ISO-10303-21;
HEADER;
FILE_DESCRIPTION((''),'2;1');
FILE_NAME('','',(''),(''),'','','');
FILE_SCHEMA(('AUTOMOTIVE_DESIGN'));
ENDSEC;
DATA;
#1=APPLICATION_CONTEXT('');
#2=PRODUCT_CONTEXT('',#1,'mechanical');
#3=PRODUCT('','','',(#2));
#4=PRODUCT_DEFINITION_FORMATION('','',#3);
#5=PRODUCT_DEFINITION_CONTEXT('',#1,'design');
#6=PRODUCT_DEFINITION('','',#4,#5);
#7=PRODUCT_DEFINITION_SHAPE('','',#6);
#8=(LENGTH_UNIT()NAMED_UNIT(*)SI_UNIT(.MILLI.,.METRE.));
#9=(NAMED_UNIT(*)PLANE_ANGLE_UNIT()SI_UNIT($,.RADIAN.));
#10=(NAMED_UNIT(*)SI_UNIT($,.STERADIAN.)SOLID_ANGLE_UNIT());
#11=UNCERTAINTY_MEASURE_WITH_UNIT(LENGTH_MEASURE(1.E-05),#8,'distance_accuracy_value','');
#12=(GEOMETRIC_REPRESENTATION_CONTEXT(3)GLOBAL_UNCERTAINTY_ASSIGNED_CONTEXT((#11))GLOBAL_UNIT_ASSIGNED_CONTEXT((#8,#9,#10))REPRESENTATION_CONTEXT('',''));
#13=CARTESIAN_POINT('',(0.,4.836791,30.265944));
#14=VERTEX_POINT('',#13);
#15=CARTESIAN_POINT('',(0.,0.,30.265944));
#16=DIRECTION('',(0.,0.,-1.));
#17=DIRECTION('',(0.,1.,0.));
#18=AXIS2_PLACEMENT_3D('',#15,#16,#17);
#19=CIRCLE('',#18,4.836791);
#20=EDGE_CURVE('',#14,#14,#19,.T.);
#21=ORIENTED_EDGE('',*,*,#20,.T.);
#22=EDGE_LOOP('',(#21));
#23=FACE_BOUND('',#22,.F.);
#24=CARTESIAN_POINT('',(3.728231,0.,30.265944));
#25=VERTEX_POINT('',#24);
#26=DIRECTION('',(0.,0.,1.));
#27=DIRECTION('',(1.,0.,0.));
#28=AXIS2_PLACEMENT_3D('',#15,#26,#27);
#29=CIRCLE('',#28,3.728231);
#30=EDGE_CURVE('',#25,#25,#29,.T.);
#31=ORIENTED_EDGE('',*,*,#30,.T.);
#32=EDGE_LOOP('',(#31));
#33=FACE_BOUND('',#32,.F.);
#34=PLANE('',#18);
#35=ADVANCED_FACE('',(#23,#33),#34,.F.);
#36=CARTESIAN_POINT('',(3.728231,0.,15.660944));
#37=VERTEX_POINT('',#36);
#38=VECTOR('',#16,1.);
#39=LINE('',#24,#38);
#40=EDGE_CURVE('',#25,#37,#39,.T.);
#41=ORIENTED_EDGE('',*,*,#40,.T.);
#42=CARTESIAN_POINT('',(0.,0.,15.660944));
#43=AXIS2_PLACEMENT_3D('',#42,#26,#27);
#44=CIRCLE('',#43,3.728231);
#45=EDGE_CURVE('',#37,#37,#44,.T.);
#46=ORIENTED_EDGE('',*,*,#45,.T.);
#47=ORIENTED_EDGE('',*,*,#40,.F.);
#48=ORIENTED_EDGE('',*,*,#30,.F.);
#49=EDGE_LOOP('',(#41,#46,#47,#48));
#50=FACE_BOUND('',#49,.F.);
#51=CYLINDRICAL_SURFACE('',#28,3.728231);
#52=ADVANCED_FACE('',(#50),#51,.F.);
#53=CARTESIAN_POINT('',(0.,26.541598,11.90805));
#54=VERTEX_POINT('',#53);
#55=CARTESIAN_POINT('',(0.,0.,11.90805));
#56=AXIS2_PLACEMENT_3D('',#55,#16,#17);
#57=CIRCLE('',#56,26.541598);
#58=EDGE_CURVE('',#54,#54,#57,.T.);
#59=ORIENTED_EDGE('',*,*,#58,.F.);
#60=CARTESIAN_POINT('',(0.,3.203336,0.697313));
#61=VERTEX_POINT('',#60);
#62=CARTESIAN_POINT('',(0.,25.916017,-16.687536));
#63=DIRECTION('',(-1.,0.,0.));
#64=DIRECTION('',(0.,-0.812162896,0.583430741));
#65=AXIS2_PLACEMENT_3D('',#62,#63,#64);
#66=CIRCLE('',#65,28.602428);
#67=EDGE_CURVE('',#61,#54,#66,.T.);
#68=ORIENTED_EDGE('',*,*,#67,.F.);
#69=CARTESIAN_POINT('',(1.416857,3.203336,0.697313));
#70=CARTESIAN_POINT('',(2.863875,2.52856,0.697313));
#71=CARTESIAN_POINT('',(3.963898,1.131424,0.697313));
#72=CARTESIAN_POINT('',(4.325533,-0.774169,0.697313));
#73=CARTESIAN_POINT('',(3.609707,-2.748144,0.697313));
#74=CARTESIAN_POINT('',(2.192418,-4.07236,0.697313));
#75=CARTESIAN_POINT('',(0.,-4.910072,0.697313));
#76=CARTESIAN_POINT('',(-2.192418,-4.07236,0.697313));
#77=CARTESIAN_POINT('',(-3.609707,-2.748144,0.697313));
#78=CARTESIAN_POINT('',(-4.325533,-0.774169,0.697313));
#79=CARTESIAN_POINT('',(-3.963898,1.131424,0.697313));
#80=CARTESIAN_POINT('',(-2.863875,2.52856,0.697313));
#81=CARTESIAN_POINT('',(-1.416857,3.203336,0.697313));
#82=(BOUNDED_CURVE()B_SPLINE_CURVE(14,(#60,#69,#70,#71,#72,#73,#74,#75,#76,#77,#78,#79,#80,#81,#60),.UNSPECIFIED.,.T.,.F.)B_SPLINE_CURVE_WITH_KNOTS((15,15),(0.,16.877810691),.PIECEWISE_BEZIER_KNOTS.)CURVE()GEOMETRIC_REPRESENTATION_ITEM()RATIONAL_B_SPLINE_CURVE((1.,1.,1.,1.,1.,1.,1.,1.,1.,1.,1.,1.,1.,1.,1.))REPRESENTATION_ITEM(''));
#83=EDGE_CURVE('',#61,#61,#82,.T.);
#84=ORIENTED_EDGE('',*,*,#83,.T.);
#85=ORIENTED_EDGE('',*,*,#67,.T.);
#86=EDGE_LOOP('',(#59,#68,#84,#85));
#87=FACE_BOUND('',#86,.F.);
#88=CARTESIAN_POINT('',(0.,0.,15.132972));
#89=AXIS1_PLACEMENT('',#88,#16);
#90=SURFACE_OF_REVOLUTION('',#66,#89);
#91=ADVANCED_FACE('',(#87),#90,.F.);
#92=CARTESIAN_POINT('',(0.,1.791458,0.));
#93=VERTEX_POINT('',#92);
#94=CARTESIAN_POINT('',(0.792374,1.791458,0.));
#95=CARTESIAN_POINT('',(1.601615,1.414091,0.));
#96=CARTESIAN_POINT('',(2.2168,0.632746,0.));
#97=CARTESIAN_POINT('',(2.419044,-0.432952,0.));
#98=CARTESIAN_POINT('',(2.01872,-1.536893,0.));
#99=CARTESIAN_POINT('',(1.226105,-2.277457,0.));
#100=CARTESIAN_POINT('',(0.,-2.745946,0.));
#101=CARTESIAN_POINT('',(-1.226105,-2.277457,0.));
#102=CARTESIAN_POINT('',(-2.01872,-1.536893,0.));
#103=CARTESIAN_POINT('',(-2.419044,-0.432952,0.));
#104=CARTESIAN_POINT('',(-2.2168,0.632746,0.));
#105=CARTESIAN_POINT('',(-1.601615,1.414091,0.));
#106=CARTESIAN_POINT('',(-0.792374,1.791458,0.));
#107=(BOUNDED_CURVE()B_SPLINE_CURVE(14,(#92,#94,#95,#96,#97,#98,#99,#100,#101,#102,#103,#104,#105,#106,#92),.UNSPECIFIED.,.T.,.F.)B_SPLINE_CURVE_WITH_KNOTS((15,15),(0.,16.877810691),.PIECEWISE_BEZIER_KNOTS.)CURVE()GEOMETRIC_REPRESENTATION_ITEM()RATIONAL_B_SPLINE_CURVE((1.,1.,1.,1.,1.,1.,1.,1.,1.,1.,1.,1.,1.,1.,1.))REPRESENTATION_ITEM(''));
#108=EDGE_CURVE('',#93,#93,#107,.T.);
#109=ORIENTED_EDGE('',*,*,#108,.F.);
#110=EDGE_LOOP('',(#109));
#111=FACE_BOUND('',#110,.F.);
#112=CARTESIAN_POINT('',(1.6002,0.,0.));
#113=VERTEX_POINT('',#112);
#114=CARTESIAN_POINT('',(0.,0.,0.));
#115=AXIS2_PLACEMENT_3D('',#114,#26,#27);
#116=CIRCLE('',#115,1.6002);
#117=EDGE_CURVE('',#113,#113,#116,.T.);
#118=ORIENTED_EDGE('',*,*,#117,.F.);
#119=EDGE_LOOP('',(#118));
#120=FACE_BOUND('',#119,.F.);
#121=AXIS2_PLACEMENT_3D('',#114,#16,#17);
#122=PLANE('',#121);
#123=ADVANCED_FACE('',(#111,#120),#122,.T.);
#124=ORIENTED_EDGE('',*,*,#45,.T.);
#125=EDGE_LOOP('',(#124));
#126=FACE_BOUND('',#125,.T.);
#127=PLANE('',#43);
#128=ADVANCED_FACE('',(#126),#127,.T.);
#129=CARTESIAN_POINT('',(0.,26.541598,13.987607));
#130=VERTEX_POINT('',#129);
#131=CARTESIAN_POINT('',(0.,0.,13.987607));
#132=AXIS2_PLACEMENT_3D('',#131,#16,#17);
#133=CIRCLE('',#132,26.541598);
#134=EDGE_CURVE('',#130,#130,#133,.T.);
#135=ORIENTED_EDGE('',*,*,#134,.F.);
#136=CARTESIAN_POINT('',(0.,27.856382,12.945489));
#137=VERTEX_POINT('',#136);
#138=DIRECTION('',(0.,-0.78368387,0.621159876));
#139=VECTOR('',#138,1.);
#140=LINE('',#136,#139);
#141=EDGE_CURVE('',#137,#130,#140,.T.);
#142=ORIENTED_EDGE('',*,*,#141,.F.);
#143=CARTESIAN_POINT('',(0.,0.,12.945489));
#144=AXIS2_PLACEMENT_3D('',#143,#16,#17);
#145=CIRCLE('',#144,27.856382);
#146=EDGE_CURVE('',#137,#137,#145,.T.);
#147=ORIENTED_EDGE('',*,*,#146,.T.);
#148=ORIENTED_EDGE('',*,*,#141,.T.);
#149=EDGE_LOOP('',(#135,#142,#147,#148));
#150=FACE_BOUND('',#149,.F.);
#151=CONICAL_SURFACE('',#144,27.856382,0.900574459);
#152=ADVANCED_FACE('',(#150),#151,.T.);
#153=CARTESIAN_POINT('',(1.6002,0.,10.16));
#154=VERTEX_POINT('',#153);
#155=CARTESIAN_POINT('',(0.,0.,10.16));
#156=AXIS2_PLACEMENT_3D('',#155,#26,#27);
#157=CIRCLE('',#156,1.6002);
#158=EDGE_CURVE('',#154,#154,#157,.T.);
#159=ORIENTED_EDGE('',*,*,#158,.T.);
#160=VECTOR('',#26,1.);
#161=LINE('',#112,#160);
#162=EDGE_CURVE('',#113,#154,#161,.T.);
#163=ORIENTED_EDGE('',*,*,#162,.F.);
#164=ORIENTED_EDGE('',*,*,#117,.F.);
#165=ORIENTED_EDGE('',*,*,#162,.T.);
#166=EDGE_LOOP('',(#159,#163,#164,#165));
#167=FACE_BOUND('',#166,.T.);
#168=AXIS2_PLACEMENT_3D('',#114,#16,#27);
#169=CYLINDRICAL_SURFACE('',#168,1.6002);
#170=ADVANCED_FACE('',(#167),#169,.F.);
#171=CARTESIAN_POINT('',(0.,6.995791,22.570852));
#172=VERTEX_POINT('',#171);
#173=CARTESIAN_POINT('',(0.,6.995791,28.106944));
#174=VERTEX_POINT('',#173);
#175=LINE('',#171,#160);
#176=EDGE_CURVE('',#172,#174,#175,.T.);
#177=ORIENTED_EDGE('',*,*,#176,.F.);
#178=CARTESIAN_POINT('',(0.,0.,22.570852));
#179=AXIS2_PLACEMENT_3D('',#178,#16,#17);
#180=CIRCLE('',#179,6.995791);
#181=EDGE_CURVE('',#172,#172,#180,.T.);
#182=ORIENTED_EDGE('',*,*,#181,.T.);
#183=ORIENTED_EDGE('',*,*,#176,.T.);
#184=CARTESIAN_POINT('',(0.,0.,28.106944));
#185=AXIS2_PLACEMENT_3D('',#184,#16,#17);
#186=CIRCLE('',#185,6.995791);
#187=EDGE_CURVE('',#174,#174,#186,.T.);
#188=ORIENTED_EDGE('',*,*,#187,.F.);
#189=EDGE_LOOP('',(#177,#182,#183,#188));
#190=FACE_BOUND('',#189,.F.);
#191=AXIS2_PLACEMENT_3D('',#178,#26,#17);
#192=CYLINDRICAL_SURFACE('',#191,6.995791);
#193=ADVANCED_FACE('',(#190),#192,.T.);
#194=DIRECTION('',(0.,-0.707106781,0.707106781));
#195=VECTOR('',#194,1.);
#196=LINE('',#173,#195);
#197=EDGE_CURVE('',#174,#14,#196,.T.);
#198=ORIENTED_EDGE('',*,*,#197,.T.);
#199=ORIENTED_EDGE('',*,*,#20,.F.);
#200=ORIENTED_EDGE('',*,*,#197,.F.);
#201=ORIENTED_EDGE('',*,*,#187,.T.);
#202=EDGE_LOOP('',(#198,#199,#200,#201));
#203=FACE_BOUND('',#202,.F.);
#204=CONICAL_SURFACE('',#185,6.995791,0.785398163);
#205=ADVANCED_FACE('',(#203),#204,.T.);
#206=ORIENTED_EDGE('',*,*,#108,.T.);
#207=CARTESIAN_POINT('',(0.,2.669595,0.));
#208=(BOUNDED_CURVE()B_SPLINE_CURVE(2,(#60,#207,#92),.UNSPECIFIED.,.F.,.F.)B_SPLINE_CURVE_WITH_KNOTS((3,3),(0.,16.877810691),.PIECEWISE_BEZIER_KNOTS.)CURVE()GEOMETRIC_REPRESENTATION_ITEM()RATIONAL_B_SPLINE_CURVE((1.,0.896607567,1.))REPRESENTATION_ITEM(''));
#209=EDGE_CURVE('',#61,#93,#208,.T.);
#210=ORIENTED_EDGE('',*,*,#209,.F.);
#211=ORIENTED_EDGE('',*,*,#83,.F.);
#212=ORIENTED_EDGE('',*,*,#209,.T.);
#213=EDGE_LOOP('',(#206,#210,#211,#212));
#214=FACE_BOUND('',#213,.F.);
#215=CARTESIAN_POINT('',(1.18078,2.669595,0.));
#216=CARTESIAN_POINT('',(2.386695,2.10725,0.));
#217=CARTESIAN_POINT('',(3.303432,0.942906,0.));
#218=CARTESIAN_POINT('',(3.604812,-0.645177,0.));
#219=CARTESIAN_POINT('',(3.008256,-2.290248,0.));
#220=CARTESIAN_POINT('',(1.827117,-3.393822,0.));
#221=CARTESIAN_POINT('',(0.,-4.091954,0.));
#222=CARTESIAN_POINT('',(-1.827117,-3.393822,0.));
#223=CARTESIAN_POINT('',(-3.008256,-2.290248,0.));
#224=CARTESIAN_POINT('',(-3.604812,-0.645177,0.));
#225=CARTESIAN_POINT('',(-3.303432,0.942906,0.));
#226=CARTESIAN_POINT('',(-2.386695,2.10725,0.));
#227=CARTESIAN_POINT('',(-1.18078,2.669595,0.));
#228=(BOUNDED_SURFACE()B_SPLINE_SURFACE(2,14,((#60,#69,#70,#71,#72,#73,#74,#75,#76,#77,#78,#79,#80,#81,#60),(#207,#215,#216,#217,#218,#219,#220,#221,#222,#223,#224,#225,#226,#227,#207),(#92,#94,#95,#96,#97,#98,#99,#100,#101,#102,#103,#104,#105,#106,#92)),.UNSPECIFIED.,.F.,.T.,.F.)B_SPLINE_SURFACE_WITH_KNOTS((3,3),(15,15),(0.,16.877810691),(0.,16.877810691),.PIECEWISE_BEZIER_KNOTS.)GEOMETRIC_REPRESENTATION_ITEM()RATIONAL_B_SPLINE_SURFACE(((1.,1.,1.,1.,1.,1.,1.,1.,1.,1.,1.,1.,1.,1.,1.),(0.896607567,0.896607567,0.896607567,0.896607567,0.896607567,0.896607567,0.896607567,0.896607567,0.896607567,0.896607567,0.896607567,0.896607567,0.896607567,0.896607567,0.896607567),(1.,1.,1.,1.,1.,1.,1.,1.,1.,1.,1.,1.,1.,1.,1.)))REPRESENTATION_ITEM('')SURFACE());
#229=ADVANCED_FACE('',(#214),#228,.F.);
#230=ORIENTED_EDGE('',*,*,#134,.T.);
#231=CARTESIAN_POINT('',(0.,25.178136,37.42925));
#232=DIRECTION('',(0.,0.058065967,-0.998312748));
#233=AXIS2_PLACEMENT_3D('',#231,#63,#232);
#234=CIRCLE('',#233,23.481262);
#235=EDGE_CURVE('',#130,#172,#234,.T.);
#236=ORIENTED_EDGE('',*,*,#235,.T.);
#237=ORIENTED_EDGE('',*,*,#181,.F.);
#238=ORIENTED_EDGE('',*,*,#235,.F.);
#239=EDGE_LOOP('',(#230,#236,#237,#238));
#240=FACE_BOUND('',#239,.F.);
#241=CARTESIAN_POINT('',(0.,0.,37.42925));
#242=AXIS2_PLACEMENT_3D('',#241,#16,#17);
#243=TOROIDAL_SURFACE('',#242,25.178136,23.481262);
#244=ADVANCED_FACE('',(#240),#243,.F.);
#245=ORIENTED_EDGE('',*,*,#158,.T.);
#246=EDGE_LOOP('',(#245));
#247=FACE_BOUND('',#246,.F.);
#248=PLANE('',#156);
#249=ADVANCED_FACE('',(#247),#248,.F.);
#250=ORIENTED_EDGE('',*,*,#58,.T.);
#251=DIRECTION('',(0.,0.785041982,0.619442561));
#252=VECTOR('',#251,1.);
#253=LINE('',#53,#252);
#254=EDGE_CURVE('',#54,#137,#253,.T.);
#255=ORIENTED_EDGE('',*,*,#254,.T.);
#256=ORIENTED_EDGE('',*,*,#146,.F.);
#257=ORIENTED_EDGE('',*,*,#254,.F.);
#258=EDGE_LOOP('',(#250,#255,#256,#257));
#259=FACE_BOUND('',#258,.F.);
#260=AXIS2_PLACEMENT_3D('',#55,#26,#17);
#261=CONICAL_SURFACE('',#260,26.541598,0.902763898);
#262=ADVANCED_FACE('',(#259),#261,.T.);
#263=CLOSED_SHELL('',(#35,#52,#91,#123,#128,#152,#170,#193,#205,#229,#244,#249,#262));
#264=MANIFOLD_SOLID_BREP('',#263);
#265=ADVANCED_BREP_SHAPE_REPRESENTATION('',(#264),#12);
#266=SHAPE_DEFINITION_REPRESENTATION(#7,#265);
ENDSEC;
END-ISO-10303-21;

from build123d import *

# Parameters (mm, degrees)
F2_R      = 4.7625
F3_DEPTH  = 14.605
F4_R      = 1.6002
F5_DEPTH  = 10.16
F6_R      = 4.7752
F7_DEPTH  = 14.605
F8_R      = 3.728231
F9_DEPTH  = 14.605
F10_R     = 1.6002
F11_DEPTH = 10.16
F12_SIZE  = 2.159
F13_R     = 1.778


with BuildPart() as f1:
    # F0 (on Right) → F1 (revolve)
    with BuildSketch(Plane.YZ):
        with BuildLine():
            Line((0, 30.265944), (0, 0))
            Line((0, 0), (2.686187, 0))
            ThreePointArc((2.686187, 0), (13.141494, 8.903682), (26.541598, 11.90805))
            Line((26.541598, 11.90805), (27.856382, 12.945489))
            Line((27.856382, 12.945489), (26.541598, 13.987607))
            ThreePointArc((26.541598, 13.987607), (15.736911, 15.929647), (6.995791, 22.570852))
            Line((6.995791, 22.570852), (6.995791, 30.265944))
            Line((6.995791, 30.265944), (0, 30.265944))
        make_face()
    revolve(axis=Axis((0, 0, 15.132972), (0, 0, -1)))

    # F2 (on face) → F3 (join)
    with BuildSketch(Plane.XY.offset(30.265944)):
        Circle(F2_R)
    extrude(amount=-F3_DEPTH)

    # F4 (on Top) → F5 (join)
    with BuildSketch(Plane.XY):
        Circle(F4_R)
    extrude(amount=F5_DEPTH)

    # F6 (on face) → F7 (join)
    with BuildSketch(Plane.XY.offset(30.265944)):
        Circle(F6_R)
    extrude(amount=-F7_DEPTH)

    # F8 (on face) → F9 (cut)
    with BuildSketch(Plane.XY.offset(30.265944)):
        Circle(F8_R)
    extrude(amount=-F9_DEPTH, mode=Mode.SUBTRACT)

    # F10 (on Top) → F11 (cut)
    with BuildSketch(Plane.XY):
        Circle(F10_R)
    extrude(amount=F11_DEPTH, mode=Mode.SUBTRACT)

    # F12
    f12_edges = [f1.edges().sort_by_distance(p)[0] for p in [
        (0, -6.995791, 30.265944),
    ]]
    chamfer(f12_edges, length=F12_SIZE)

    # F13
    f13_edges = [f1.edges().sort_by_distance(p)[0] for p in [
        (0, -2.686187, 0),
    ]]
    fillet(f13_edges, radius=F13_R)


solid = f1.part
